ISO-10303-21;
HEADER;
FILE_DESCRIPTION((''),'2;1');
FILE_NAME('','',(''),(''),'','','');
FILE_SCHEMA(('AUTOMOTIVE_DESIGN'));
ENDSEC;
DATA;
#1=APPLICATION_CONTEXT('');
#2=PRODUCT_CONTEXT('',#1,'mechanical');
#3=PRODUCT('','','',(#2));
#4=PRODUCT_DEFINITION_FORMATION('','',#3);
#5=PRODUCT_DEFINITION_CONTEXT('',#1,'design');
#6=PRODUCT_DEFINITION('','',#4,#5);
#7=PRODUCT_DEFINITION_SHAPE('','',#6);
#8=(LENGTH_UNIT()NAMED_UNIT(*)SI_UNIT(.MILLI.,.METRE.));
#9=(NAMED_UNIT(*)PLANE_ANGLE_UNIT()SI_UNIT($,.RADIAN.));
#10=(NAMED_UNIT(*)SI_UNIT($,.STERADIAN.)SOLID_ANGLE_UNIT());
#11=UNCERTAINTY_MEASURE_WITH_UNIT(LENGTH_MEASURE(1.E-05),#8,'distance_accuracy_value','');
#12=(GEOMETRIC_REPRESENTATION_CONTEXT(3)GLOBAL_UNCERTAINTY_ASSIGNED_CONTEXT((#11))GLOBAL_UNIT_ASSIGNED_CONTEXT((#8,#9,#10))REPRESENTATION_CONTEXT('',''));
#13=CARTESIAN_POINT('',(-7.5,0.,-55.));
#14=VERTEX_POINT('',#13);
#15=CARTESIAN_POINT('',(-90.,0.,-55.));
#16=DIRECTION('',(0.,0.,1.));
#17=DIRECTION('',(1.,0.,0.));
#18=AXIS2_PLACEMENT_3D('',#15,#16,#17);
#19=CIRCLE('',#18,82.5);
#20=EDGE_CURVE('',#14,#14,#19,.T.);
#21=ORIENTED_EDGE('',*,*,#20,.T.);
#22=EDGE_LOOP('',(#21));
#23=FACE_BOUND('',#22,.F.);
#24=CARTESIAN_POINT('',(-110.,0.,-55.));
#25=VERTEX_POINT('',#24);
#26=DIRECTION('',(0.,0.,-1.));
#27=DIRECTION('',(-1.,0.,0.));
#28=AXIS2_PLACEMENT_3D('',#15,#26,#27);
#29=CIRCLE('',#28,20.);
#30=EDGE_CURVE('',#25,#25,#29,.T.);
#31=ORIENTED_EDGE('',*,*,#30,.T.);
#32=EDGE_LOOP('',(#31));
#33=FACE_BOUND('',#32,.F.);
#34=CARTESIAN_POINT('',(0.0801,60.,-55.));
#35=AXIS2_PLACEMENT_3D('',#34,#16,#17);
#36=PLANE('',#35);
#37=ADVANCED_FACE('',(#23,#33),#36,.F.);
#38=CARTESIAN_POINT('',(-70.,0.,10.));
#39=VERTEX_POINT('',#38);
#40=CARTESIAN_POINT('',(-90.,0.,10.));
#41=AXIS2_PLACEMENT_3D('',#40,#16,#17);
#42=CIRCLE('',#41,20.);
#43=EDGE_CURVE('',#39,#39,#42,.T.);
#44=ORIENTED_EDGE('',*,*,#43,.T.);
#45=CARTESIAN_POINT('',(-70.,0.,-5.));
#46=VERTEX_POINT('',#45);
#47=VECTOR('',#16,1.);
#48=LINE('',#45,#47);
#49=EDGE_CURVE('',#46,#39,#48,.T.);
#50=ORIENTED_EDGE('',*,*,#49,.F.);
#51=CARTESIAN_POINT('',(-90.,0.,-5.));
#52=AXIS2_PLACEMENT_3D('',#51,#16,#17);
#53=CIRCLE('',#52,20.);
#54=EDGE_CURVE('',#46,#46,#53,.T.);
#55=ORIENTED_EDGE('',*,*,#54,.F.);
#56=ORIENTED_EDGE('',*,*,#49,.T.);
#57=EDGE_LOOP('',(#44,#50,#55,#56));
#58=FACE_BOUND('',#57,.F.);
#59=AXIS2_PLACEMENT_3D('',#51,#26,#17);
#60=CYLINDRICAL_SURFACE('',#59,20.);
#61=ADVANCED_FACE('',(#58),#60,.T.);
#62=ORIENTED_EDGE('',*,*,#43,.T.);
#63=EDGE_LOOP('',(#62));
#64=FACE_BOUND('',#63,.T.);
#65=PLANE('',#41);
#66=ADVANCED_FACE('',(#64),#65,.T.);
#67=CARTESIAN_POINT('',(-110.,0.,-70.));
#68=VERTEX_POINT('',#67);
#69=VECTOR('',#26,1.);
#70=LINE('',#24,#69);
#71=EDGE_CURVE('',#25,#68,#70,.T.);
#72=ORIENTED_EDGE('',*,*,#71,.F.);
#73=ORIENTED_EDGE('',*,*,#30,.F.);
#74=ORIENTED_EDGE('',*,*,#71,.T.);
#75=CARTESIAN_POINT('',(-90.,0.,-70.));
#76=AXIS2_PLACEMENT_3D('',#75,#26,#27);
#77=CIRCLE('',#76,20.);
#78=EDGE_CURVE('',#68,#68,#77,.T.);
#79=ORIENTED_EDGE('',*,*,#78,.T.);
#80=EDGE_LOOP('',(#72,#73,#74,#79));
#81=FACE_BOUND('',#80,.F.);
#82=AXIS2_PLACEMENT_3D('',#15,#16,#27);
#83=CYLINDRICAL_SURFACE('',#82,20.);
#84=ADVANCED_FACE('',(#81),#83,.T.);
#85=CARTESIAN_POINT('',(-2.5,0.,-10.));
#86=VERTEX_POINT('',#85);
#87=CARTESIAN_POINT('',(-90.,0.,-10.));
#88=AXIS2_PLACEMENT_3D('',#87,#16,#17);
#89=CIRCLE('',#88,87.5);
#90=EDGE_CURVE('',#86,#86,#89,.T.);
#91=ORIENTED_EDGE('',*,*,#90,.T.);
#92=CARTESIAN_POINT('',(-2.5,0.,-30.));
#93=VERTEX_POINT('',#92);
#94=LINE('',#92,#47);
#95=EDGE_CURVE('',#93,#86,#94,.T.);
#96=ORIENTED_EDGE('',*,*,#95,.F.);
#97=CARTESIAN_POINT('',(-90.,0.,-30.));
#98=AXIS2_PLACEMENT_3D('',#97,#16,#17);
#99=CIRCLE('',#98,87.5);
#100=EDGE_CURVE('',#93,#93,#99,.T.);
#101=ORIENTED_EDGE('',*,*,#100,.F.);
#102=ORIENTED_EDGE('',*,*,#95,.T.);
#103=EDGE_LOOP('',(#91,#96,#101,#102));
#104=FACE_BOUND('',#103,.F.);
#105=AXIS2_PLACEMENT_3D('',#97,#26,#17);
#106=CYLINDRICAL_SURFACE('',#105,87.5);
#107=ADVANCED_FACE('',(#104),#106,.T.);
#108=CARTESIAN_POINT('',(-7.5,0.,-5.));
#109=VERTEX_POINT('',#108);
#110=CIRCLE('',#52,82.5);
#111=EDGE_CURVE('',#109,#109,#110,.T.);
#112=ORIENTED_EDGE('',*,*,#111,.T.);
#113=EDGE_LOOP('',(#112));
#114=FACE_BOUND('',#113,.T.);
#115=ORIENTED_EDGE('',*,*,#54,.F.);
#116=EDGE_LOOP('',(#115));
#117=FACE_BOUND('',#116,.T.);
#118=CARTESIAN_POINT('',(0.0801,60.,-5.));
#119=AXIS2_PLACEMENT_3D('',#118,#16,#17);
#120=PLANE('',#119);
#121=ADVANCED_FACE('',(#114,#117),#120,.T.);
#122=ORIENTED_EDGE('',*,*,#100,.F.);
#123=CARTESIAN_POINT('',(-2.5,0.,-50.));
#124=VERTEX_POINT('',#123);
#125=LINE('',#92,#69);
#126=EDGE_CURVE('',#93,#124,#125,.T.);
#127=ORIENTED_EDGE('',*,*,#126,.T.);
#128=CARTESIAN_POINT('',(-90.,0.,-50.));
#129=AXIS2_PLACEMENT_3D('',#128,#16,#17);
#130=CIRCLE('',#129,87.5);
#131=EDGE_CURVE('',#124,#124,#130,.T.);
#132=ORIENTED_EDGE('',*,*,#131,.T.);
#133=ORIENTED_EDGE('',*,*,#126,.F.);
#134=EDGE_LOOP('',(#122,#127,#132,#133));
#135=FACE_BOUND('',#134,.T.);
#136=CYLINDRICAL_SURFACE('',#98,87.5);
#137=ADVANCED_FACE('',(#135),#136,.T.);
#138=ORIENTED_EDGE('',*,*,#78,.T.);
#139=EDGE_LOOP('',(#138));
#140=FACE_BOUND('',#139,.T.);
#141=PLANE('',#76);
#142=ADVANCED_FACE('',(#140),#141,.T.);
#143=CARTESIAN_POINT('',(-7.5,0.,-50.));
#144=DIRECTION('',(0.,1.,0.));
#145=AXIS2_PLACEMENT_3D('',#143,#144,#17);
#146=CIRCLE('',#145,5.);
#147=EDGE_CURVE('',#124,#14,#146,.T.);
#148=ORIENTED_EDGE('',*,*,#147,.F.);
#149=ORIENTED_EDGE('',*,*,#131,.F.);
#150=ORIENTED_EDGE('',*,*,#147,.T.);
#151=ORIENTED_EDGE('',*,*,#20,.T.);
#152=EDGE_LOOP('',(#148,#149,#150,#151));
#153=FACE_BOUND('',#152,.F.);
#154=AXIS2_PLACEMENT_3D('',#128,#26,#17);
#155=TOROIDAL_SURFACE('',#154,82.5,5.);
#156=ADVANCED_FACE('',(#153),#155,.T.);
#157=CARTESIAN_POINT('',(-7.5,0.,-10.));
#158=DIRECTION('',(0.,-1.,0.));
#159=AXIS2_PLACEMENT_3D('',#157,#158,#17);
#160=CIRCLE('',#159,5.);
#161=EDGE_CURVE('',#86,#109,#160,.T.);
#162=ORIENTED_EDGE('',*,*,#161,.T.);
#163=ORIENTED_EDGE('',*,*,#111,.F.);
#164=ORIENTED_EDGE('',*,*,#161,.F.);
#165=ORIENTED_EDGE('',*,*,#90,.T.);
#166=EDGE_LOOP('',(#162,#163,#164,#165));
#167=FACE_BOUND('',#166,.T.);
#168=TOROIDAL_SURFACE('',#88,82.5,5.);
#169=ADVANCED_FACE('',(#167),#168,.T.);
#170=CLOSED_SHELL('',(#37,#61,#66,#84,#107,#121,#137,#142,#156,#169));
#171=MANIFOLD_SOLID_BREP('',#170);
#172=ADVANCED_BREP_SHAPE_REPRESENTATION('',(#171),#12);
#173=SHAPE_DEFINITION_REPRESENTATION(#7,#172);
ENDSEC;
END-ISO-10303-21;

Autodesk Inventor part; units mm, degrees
ref_plane "YZ Plane" through (0, 0, 0) normal (1, 0, 0) x (0, 1, 0)
ref_plane "XZ Plane" through (0, 0, 0) normal (0, 1, 0) x (-1, 0, 0)
ref_plane "XY Plane" through (0, 0, 0) normal (0, 0, 1) x (1, 0, 0)
ref_plane "РабПлоскость3" through (0.0801, 60, -30) normal (0, 0, 1) x (1, 0, 0)
sketch "Эскиз1" plane through (0.0801, 60, -30) normal (0, 0, 1) x (1, 0, 0)
  line L0 (-0.0801, -60) -> (-90.0801, -60)
  circle A0 centre (-90.0801, -60) radius 87.5
  dimension "d0" = 90
  dimension "d1" = 175
extrude "Выдавливание1" add sketch "Эскиз1" along normal mid plane 50
sketch "Эскиз2" plane through (-90, 0, -5) normal (0, 0, 1) x (1, 0, 0)
  circle A0 centre (0, 0) radius 20
  point P0 (90, 0)
  dimension "d4" = 40
extrude "Выдавливание2" add sketch "Эскиз2" along normal blind 15
sketch "Эскиз3" plane through (-90, 0, -55) normal (0, 0, -1) x (-1, 0, 0)
  circle A0 centre (0, 0) radius 20 projected
  circle A1 centre (0, 0) radius 20
  point P0 (-90, 0)
  dimension "d7" = 40
extrude "Выдавливание3" add sketch "Эскиз3" along normal blind 15
fillet "Сопряжение1" radius 5 1 edges at (-177.5, 0, -5)
fillet "Сопряжение2" radius 5 1 edges at (-177.5, 0, -55)
properties part number "Колесо"
